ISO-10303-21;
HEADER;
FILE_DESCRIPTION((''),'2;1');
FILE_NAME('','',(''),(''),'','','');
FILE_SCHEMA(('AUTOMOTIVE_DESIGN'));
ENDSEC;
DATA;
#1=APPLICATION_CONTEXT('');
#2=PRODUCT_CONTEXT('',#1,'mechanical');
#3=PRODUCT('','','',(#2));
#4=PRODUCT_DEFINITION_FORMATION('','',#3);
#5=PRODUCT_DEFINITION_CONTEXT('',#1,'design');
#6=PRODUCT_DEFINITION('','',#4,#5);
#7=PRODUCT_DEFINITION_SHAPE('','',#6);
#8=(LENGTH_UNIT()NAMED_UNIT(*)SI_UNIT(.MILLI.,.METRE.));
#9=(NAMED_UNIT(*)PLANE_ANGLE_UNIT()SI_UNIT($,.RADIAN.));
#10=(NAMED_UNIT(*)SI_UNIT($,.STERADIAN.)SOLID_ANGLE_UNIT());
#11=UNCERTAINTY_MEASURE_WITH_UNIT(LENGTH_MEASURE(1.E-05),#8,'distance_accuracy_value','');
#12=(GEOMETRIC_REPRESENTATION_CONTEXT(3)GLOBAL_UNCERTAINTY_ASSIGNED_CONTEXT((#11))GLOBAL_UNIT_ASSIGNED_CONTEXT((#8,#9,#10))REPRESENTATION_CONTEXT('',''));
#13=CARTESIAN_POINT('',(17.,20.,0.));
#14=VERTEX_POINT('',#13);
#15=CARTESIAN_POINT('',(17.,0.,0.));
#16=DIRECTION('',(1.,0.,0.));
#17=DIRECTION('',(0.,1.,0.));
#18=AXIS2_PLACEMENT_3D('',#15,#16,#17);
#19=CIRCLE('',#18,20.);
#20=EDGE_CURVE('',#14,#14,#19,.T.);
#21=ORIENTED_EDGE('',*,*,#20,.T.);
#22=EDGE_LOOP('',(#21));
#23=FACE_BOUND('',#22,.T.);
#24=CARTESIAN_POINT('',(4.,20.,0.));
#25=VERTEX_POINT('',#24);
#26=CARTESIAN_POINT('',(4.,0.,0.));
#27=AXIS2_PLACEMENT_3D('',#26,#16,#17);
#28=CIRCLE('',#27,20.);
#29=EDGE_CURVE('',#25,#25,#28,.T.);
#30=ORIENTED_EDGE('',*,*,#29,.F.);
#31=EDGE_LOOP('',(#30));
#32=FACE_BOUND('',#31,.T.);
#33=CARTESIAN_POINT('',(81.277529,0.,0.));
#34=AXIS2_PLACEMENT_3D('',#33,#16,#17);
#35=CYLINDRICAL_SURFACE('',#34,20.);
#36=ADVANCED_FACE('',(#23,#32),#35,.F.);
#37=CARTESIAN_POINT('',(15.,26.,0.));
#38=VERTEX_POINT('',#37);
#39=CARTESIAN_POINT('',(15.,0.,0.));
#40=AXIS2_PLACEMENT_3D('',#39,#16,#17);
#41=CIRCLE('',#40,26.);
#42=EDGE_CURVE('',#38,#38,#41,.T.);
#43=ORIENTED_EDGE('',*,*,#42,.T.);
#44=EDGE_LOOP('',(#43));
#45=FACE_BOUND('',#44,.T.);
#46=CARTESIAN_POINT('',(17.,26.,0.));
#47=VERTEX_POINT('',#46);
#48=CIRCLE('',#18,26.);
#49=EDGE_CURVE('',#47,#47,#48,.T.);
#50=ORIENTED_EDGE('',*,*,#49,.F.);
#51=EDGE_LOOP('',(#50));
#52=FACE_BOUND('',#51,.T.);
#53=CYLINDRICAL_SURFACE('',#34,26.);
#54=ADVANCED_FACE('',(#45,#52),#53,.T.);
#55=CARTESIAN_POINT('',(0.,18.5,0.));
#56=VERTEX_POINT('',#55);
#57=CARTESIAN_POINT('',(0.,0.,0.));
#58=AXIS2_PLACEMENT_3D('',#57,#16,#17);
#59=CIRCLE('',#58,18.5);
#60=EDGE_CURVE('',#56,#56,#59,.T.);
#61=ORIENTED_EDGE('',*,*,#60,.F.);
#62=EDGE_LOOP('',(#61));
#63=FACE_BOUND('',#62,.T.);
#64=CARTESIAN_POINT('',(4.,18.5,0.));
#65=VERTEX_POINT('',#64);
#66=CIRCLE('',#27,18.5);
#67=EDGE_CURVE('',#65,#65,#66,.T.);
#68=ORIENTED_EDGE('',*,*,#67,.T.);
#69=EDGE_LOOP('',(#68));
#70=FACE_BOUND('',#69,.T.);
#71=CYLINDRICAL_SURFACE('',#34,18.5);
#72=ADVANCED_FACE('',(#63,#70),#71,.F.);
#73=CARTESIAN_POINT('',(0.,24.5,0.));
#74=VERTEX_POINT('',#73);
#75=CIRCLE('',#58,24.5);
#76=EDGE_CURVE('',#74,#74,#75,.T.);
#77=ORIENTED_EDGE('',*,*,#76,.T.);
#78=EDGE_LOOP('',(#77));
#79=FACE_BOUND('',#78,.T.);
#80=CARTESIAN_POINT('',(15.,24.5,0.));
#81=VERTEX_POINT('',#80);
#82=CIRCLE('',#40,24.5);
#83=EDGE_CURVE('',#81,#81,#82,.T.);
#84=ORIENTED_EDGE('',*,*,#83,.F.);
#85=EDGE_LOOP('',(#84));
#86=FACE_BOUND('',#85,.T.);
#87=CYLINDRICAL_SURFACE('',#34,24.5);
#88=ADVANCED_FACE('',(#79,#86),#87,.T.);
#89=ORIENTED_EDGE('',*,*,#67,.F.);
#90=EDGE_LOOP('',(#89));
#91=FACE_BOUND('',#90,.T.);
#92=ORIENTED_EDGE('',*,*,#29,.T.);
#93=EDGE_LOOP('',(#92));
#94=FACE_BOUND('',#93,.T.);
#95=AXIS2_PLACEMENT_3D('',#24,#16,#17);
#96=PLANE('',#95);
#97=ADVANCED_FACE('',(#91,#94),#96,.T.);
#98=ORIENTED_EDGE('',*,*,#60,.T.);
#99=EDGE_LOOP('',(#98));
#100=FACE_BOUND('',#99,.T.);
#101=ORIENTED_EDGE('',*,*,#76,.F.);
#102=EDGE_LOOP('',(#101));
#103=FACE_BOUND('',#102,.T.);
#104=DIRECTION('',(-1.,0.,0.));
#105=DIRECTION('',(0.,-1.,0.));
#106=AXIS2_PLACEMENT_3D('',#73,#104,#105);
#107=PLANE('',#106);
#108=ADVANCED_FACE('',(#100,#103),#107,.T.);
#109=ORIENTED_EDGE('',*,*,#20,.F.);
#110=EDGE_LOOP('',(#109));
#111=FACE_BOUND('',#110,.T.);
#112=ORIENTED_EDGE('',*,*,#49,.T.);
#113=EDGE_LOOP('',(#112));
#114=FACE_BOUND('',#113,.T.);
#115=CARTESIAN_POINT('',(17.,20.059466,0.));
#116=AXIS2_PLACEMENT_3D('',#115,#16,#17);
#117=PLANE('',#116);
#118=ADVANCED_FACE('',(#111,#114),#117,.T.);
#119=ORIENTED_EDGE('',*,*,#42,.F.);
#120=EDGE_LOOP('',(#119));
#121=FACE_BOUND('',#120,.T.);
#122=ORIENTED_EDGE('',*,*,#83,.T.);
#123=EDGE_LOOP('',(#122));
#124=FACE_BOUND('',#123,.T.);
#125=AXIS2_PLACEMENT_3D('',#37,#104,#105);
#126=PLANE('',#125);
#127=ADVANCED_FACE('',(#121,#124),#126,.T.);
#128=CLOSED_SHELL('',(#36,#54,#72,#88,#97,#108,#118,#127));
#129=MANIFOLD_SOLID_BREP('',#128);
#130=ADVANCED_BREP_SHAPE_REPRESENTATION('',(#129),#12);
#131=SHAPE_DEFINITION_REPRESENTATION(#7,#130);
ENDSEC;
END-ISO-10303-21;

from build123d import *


with BuildPart() as part:
    # Esquisse1 → Révolution8 (revolve)
    with BuildSketch(Plane.XY):
        Polygon((4, 20), (17, 20), (17, 20.05946629), (17, 26), (15, 26), (15, 24.5), (0, 24.5), (0, 18.5), (4, 18.5), align=None)
    revolve(axis=Axis((81.277529183, 0, 0), (-1, 0, 0)))


solid = part.part
